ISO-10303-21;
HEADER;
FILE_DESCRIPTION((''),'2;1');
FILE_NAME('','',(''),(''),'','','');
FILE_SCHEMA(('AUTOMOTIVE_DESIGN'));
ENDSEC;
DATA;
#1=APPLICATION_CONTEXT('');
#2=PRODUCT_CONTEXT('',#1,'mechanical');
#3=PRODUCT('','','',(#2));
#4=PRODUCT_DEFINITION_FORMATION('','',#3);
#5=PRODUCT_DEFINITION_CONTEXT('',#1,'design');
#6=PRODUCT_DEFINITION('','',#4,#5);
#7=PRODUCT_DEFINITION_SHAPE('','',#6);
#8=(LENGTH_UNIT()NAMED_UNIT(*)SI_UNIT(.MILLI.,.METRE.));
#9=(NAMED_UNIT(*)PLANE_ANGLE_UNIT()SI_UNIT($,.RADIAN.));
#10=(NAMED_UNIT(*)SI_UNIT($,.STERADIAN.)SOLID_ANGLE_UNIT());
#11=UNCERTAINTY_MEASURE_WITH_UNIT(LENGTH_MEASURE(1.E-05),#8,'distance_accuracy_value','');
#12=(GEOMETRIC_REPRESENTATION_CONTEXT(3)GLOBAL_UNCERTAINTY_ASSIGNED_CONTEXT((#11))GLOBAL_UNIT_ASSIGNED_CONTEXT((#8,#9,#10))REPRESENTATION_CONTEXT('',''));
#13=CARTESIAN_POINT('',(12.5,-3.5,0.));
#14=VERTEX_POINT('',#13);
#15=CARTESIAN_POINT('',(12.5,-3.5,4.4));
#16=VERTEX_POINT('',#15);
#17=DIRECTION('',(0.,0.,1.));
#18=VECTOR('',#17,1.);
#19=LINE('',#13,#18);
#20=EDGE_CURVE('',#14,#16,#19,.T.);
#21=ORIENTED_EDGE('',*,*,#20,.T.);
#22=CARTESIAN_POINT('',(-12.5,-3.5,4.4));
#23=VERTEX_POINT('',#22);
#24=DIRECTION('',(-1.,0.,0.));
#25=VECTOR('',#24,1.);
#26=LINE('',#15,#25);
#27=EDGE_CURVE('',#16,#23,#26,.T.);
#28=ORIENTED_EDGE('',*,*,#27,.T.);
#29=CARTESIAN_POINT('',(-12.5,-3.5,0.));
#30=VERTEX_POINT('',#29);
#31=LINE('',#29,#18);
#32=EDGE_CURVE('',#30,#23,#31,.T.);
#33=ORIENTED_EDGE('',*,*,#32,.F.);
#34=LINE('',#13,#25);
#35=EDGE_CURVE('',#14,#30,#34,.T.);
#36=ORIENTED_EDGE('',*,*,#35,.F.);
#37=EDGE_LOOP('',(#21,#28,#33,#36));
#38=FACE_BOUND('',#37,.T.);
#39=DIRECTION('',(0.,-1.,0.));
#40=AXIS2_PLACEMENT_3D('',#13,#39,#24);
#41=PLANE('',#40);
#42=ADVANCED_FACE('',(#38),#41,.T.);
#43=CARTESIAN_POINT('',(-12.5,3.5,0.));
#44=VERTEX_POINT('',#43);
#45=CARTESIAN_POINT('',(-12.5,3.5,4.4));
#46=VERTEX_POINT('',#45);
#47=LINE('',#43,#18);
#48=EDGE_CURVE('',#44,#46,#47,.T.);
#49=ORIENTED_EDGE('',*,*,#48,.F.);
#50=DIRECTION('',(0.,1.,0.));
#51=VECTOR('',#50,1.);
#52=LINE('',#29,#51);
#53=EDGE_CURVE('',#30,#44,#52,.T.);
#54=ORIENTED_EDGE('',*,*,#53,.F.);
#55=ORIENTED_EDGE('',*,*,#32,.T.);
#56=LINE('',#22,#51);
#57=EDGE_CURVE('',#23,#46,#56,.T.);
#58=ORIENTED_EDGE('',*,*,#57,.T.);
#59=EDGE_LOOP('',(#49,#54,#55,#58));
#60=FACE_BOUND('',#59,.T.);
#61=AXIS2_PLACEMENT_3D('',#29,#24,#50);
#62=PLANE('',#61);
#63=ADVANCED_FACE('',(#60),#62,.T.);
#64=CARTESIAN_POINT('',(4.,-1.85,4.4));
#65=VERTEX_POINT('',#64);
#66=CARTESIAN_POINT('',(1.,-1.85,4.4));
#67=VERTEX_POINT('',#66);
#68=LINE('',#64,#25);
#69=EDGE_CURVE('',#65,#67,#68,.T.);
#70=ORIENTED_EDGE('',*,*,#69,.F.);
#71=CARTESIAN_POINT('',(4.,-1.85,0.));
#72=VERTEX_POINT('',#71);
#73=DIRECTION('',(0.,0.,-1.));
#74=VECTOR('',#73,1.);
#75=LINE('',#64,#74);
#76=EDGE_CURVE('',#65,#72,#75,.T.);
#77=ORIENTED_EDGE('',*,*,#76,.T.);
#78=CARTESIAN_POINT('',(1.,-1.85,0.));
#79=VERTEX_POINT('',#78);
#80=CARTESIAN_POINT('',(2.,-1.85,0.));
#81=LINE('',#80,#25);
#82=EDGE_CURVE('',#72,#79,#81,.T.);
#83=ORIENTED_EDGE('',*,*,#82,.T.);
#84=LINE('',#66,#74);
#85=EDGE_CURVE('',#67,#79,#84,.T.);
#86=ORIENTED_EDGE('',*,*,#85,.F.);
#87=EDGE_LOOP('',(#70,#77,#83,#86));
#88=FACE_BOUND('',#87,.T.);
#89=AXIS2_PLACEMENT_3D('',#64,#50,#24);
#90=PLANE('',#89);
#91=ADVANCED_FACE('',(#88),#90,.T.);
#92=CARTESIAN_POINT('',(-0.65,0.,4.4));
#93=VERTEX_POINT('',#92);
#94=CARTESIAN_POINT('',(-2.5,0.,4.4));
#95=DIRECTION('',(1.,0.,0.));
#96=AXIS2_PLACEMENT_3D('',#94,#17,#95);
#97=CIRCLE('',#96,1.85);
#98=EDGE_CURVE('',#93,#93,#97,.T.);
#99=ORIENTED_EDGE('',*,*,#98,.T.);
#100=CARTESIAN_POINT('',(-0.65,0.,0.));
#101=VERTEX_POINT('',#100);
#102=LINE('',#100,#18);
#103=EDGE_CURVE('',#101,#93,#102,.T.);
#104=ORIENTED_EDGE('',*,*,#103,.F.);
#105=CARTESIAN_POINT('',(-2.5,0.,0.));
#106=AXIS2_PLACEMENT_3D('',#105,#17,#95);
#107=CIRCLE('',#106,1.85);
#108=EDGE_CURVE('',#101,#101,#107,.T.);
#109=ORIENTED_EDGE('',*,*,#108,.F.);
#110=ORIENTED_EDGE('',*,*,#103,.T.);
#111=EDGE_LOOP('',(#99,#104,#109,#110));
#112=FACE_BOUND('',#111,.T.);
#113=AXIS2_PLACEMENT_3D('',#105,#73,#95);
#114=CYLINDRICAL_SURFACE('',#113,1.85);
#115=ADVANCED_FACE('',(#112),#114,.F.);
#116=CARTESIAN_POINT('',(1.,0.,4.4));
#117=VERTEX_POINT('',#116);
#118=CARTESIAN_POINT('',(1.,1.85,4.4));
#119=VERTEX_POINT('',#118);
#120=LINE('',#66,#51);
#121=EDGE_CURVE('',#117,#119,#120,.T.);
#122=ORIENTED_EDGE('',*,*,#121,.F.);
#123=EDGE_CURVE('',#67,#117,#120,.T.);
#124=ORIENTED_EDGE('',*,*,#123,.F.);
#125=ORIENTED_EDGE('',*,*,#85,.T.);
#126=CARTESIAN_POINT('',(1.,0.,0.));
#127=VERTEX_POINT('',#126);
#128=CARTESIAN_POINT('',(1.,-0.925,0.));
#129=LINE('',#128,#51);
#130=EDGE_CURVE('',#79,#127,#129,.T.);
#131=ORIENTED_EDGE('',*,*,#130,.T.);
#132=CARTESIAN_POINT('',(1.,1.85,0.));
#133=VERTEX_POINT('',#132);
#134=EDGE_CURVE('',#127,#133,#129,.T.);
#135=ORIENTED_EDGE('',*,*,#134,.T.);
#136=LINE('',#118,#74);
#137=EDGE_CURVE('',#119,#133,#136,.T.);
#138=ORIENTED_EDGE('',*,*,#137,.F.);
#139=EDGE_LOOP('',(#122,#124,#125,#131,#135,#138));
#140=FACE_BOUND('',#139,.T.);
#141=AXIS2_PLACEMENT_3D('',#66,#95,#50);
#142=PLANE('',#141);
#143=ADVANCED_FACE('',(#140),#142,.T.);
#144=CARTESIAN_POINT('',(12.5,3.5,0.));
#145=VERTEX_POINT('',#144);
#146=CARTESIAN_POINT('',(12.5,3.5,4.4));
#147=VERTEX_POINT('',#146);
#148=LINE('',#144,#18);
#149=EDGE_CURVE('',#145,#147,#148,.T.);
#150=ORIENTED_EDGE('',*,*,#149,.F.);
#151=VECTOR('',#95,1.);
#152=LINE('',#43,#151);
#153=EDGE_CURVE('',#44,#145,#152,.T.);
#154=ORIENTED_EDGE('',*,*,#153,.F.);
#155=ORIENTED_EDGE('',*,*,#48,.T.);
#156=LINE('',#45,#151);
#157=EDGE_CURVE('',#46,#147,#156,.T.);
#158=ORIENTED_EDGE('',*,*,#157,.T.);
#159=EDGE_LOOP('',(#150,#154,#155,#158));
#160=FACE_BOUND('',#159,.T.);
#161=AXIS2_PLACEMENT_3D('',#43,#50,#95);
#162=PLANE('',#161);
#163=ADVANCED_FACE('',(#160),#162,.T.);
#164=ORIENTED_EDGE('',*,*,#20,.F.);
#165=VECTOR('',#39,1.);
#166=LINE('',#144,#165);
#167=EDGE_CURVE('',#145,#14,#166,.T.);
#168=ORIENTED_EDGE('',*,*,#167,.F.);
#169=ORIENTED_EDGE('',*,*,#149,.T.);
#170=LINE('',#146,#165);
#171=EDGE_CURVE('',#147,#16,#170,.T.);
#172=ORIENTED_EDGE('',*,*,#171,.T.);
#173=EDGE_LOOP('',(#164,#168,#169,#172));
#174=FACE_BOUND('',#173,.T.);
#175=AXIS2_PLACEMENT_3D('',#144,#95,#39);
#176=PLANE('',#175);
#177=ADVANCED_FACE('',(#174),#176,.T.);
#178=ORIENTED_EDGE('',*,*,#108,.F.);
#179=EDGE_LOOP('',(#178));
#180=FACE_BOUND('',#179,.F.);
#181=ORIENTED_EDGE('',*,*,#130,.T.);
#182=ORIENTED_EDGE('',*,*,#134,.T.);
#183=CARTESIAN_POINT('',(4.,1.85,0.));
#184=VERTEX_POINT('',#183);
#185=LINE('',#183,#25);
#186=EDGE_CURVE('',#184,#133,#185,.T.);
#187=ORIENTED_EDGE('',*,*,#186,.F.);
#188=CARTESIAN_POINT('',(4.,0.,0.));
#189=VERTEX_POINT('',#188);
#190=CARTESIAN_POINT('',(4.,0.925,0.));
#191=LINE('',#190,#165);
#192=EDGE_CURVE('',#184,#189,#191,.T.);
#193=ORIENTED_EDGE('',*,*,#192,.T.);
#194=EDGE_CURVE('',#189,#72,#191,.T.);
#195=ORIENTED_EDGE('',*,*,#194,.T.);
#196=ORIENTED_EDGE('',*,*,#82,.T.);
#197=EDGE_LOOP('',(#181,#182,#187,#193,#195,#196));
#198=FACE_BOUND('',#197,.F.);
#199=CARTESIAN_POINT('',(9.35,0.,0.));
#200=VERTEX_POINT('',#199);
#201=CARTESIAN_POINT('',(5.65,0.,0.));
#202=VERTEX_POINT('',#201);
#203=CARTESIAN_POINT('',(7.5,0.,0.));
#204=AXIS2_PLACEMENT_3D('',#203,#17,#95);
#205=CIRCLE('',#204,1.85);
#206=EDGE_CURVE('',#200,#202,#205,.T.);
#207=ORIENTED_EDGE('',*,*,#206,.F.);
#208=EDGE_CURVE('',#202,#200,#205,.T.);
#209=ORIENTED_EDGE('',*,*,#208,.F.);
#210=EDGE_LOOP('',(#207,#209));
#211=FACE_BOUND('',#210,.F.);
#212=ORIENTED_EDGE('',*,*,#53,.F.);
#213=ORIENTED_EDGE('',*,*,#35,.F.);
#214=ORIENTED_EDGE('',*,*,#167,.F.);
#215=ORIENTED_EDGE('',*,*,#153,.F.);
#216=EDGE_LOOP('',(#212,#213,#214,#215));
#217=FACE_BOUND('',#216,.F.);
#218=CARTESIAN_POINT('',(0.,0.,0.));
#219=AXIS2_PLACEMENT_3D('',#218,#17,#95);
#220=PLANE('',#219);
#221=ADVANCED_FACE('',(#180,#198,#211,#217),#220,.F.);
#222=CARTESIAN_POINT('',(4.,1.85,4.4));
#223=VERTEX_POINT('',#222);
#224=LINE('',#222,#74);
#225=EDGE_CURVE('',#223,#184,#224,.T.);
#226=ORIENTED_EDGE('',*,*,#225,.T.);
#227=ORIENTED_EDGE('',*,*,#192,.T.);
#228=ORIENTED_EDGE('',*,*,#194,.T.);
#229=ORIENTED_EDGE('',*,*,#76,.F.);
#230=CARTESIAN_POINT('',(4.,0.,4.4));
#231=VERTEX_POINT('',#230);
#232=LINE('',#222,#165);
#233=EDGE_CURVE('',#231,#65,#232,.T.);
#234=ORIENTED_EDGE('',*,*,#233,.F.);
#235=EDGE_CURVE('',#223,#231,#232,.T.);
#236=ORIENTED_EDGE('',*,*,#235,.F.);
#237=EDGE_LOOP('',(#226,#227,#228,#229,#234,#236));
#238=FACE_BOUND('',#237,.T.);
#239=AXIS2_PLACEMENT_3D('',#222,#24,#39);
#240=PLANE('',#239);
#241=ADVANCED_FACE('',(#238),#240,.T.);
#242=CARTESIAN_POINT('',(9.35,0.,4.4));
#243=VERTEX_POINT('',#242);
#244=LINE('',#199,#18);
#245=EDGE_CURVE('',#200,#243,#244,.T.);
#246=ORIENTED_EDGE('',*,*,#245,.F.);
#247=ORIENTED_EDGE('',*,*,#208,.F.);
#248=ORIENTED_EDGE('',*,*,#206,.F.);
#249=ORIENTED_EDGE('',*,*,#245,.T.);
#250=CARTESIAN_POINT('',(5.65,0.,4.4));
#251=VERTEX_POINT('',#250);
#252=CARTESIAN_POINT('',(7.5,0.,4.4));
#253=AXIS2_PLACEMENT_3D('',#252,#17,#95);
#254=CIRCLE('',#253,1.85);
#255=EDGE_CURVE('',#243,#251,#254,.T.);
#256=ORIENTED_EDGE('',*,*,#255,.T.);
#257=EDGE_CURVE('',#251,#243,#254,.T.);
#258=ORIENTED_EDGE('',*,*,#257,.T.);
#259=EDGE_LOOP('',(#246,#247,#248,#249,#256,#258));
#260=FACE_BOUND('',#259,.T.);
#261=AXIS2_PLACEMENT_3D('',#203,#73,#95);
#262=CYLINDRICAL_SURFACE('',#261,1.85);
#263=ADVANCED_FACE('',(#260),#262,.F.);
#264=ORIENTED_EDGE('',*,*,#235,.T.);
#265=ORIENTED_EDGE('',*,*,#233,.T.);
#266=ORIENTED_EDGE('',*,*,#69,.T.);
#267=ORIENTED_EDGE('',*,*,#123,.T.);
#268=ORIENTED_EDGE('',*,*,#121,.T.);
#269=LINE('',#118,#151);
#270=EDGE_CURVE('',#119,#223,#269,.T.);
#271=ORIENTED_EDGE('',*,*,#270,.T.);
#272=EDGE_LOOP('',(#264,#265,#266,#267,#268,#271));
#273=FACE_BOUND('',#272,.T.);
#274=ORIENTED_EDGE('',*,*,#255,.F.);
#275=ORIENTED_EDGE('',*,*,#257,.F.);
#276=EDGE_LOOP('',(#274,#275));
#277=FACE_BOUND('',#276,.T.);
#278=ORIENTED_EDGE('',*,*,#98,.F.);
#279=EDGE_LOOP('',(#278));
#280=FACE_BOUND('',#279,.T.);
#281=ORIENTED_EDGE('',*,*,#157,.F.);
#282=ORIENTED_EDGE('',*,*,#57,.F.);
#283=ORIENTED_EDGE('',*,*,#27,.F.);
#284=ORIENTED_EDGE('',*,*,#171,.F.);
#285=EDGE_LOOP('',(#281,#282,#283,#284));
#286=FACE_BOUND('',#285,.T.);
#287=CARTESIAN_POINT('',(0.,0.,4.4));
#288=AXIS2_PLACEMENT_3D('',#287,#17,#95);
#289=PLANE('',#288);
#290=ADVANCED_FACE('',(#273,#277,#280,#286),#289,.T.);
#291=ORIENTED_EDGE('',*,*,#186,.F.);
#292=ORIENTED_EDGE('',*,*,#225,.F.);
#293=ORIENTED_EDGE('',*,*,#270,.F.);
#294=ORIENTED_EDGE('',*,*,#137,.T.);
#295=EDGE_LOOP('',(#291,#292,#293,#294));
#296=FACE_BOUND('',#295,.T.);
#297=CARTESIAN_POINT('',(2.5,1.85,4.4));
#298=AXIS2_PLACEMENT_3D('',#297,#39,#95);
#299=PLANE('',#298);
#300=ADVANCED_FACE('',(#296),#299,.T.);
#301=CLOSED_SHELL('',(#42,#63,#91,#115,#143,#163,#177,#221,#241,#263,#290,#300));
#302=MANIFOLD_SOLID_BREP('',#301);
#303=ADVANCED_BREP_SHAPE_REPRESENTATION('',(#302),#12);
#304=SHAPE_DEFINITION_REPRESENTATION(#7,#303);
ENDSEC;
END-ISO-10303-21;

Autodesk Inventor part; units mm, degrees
ref_plane "YZ Plane" through (0, 0, 0) normal (1, 0, 0) x (0, 1, 0)
ref_plane "XZ Plane" through (0, 0, 0) normal (0, 1, 0) x (-1, 0, 0)
ref_plane "XY Plane" through (0, 0, 0) normal (0, 0, 1) x (1, 0, 0)
sketch "スケッチ1" plane through (0, 0, 0) normal (0, 0, 1) x (1, 0, 0)
  line L0 (12.5, -3.5) -> (-12.5, -3.5)
  line L1 (-12.5, -3.5) -> (-12.5, 3.5)
  line L2 (-12.5, 3.5) -> (12.5, 3.5)
  line L3 (12.5, 3.5) -> (12.5, -3.5)
  line L4 (12.5, -3.5) -> (-12.5, 3.5) construction
  line L5 (-12.5, -3.5) -> (12.5, 3.5) construction
  circle A0 centre (7.5, 0) radius 1.85
  circle A1 centre (-2.5, 0) radius 1.85
  line L6 (-2.5, 0) -> (7.5, 0)
  line L7 (2.5, 1.85) -> (4, 1.85)
  line L8 (4, 1.85) -> (4, -1.85)
  line L9 (4, -1.85) -> (1, -1.85)
  line L10 (1, -1.85) -> (1, 1.85)
  line L11 (1, 1.85) -> (2.5, 1.85)
  point P0 (0, 0)
  dimension "d0" = 25
  dimension "d1" = 7
  dimension "d2" = 3.7
  dimension "d3" = 3.7
  dimension "d6" = 1.5
  dimension "d7" = 3
extrude "押し出し1" add sketch "スケッチ1" along normal blind 4.4 contours L0 L1 L2 L3 | L8 L9 L10 L6 | L6 L10 L11 L7 L8
sketch "スケッチ2" plane through (0, 0, 4.4) normal (0, 0, 1) x (1, 0, 0)
  line L0 (2.5, 1.85) -> (4, 1.85)
  line L1 (4, 1.85) -> (4, -1.85)
  line L2 (4, -1.85) -> (1, -1.85)
  line L3 (1, -1.85) -> (1, 1.85)
  line L4 (1, 1.85) -> (2.5, 1.85)
  point P0 (0, 0)
  dimension "d8" = 1.5
  dimension "d9" = 3
extrude "押し出し2" cut sketch "スケッチ2" against normal blind 10
properties part number "griper_base_TPU" material "ゴム、シリコーン"
